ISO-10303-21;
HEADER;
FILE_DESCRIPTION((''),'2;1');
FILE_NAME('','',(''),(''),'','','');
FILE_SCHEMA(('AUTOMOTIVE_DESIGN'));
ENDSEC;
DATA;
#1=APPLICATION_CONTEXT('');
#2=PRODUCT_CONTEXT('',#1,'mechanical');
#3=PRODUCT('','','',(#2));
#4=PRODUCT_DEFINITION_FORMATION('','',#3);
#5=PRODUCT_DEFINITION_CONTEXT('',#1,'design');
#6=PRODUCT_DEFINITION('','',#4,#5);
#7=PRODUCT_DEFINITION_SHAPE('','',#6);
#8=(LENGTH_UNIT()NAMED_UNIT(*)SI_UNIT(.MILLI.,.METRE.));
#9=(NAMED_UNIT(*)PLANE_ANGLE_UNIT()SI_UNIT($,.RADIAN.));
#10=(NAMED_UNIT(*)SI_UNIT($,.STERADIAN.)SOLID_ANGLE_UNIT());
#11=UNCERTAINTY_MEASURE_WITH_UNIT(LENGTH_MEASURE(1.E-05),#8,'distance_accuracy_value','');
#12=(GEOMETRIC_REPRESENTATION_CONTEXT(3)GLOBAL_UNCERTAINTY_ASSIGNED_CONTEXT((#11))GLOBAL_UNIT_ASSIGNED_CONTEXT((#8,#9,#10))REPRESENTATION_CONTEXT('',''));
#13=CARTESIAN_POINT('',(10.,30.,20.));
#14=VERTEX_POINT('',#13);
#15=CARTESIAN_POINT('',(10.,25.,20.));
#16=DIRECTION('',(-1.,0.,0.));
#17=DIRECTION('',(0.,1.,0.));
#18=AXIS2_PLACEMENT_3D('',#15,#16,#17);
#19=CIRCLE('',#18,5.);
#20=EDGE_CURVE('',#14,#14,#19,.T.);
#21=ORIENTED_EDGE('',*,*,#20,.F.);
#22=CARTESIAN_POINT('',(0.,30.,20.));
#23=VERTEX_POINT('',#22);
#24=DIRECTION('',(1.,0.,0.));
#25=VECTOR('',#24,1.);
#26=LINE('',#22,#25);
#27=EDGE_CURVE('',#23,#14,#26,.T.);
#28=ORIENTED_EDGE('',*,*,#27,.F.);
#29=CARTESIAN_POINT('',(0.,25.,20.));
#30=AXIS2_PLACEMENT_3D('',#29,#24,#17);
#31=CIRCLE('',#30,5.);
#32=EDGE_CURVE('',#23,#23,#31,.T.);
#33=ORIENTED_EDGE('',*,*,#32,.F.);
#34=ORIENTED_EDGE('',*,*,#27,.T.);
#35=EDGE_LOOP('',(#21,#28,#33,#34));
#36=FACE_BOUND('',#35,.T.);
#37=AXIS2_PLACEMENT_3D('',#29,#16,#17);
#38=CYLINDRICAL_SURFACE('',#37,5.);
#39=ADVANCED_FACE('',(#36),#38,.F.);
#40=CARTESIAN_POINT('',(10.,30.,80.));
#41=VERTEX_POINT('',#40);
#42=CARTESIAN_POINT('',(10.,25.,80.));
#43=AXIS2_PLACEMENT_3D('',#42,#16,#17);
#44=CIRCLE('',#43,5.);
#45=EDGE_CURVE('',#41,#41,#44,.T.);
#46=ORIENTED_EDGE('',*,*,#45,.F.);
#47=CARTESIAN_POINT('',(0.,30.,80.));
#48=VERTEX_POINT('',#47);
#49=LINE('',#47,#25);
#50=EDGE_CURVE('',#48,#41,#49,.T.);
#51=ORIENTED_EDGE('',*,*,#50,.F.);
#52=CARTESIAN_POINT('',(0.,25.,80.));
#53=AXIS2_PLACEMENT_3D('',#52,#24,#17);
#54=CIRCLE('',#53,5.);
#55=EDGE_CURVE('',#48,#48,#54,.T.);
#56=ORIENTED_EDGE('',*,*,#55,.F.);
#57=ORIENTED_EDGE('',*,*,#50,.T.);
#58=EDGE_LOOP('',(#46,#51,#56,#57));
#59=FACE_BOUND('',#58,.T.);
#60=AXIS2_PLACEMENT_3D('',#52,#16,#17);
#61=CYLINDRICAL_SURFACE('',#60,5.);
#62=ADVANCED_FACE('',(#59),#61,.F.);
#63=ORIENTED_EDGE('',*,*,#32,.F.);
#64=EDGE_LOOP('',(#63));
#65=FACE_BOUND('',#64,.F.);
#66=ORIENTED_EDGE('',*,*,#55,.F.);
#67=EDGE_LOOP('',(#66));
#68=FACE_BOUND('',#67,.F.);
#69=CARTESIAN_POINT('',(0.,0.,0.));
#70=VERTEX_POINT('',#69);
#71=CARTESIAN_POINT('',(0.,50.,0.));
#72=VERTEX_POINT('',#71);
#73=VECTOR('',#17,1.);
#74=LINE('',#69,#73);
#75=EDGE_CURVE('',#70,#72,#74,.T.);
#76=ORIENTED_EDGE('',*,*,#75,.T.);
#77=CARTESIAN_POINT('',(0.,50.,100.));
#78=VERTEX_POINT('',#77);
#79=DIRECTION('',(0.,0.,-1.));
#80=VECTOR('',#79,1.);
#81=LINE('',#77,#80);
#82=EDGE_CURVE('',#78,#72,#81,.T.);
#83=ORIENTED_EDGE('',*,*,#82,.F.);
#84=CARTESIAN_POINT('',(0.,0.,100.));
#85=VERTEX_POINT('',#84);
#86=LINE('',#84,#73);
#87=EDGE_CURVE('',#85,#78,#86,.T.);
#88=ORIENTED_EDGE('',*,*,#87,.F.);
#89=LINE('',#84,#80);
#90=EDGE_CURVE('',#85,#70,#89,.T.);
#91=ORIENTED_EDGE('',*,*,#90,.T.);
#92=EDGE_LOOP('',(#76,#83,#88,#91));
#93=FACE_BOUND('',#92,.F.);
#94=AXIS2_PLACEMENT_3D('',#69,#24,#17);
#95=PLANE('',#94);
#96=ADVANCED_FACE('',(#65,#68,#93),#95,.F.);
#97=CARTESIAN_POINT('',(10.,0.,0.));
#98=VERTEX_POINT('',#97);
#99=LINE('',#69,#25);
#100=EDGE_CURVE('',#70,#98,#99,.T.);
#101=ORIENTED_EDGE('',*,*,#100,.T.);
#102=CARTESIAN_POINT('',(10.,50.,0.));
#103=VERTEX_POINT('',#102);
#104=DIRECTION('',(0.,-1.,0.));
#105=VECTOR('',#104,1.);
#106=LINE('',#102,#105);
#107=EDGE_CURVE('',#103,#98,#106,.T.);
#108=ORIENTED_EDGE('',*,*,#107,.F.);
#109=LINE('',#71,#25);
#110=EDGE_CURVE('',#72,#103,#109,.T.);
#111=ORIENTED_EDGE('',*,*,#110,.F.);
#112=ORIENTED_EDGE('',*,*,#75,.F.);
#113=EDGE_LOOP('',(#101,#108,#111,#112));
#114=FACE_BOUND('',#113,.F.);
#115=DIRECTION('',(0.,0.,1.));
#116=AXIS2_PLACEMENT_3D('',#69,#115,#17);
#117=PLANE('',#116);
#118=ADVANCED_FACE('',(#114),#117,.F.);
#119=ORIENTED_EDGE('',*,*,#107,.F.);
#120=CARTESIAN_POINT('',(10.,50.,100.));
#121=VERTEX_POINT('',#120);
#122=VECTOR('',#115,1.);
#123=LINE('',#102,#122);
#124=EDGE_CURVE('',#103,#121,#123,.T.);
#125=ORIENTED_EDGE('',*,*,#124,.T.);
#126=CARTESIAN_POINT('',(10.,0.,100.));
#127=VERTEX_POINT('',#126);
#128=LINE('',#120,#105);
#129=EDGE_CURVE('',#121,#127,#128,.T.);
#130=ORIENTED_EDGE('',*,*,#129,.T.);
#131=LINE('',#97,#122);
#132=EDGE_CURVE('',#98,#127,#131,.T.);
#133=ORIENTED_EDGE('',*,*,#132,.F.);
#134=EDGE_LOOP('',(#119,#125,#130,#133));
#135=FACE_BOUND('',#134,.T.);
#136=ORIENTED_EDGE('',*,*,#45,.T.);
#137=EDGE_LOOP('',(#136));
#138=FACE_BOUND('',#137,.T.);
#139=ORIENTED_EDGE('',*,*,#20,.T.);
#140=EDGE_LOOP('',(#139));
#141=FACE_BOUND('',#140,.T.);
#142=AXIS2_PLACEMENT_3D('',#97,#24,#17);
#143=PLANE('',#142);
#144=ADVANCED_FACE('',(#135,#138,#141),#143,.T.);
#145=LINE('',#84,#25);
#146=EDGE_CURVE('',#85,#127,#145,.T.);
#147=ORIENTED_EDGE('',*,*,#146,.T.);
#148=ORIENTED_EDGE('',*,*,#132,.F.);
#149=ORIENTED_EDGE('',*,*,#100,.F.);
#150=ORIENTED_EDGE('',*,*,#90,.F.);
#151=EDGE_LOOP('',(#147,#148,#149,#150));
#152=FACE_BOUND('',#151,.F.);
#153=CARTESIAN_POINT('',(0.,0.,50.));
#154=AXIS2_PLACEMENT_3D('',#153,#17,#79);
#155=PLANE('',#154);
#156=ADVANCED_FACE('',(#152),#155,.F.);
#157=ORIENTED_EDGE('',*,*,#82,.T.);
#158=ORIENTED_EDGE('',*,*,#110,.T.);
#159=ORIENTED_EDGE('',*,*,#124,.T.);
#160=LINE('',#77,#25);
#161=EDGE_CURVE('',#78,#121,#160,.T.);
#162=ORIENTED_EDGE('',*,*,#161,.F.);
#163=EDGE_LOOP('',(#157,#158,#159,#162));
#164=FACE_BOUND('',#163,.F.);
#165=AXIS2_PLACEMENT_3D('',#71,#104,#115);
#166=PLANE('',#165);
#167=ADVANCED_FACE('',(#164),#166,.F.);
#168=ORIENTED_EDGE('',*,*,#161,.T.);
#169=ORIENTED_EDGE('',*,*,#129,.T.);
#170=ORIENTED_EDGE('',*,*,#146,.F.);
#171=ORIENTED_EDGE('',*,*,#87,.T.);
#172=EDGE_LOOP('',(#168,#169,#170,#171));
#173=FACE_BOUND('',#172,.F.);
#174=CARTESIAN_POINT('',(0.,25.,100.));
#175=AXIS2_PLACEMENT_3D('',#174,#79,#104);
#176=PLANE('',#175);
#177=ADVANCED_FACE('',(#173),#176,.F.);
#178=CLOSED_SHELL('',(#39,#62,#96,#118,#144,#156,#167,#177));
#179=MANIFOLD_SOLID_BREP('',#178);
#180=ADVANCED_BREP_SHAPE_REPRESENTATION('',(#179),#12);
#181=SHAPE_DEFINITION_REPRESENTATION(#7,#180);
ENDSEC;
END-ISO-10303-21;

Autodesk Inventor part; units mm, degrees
ref_plane "YZ Plane" through (0, 0, 0) normal (1, 0, 0) x (0, 1, 0)
ref_plane "XZ Plane" through (0, 0, 0) normal (0, 1, 0) x (-1, 0, 0)
ref_plane "XY Plane" through (0, 0, 0) normal (0, 0, 1) x (1, 0, 0)
sketch "Sketch1" plane through (0, 0, 0) normal (1, 0, 0) x (0, 1, 0)
  line L0 (0, 0) -> (50, 0)
  line L1 (50, 0) -> (50, 100)
  line L2 (50, 100) -> (0, 100)
  line L3 (0, 100) -> (0, 0)
  line L4 (25, 108.4087) -> (25, -21.5037)
  circle A0 centre (25, 80) radius 5
  line L5 (63.0593, 50) -> (-7.0373, 50)
  circle A1 centre (25, 20) radius 5
  dimension "d0" = 100
  dimension "d1" = 50
  dimension "d4" = 25
  dimension "d5" = 20
  dimension "d6" = 50
  dimension "d9" = 10
extrude "Extrusion2" add sketch "Sketch1" along normal blind 10 contours L3 L5 L4 A1 L0 | L4 A1 L5 L1 L0 | L3 L2 L4 A0 L5 | L4 A0 L2 L1 L5
equation "\"d4\" = 0.5 * d1"
equation "\"d5\" = 0.2 * d0"
equation "\"d6\" = 0.5 * d0"
properties part number "block"
